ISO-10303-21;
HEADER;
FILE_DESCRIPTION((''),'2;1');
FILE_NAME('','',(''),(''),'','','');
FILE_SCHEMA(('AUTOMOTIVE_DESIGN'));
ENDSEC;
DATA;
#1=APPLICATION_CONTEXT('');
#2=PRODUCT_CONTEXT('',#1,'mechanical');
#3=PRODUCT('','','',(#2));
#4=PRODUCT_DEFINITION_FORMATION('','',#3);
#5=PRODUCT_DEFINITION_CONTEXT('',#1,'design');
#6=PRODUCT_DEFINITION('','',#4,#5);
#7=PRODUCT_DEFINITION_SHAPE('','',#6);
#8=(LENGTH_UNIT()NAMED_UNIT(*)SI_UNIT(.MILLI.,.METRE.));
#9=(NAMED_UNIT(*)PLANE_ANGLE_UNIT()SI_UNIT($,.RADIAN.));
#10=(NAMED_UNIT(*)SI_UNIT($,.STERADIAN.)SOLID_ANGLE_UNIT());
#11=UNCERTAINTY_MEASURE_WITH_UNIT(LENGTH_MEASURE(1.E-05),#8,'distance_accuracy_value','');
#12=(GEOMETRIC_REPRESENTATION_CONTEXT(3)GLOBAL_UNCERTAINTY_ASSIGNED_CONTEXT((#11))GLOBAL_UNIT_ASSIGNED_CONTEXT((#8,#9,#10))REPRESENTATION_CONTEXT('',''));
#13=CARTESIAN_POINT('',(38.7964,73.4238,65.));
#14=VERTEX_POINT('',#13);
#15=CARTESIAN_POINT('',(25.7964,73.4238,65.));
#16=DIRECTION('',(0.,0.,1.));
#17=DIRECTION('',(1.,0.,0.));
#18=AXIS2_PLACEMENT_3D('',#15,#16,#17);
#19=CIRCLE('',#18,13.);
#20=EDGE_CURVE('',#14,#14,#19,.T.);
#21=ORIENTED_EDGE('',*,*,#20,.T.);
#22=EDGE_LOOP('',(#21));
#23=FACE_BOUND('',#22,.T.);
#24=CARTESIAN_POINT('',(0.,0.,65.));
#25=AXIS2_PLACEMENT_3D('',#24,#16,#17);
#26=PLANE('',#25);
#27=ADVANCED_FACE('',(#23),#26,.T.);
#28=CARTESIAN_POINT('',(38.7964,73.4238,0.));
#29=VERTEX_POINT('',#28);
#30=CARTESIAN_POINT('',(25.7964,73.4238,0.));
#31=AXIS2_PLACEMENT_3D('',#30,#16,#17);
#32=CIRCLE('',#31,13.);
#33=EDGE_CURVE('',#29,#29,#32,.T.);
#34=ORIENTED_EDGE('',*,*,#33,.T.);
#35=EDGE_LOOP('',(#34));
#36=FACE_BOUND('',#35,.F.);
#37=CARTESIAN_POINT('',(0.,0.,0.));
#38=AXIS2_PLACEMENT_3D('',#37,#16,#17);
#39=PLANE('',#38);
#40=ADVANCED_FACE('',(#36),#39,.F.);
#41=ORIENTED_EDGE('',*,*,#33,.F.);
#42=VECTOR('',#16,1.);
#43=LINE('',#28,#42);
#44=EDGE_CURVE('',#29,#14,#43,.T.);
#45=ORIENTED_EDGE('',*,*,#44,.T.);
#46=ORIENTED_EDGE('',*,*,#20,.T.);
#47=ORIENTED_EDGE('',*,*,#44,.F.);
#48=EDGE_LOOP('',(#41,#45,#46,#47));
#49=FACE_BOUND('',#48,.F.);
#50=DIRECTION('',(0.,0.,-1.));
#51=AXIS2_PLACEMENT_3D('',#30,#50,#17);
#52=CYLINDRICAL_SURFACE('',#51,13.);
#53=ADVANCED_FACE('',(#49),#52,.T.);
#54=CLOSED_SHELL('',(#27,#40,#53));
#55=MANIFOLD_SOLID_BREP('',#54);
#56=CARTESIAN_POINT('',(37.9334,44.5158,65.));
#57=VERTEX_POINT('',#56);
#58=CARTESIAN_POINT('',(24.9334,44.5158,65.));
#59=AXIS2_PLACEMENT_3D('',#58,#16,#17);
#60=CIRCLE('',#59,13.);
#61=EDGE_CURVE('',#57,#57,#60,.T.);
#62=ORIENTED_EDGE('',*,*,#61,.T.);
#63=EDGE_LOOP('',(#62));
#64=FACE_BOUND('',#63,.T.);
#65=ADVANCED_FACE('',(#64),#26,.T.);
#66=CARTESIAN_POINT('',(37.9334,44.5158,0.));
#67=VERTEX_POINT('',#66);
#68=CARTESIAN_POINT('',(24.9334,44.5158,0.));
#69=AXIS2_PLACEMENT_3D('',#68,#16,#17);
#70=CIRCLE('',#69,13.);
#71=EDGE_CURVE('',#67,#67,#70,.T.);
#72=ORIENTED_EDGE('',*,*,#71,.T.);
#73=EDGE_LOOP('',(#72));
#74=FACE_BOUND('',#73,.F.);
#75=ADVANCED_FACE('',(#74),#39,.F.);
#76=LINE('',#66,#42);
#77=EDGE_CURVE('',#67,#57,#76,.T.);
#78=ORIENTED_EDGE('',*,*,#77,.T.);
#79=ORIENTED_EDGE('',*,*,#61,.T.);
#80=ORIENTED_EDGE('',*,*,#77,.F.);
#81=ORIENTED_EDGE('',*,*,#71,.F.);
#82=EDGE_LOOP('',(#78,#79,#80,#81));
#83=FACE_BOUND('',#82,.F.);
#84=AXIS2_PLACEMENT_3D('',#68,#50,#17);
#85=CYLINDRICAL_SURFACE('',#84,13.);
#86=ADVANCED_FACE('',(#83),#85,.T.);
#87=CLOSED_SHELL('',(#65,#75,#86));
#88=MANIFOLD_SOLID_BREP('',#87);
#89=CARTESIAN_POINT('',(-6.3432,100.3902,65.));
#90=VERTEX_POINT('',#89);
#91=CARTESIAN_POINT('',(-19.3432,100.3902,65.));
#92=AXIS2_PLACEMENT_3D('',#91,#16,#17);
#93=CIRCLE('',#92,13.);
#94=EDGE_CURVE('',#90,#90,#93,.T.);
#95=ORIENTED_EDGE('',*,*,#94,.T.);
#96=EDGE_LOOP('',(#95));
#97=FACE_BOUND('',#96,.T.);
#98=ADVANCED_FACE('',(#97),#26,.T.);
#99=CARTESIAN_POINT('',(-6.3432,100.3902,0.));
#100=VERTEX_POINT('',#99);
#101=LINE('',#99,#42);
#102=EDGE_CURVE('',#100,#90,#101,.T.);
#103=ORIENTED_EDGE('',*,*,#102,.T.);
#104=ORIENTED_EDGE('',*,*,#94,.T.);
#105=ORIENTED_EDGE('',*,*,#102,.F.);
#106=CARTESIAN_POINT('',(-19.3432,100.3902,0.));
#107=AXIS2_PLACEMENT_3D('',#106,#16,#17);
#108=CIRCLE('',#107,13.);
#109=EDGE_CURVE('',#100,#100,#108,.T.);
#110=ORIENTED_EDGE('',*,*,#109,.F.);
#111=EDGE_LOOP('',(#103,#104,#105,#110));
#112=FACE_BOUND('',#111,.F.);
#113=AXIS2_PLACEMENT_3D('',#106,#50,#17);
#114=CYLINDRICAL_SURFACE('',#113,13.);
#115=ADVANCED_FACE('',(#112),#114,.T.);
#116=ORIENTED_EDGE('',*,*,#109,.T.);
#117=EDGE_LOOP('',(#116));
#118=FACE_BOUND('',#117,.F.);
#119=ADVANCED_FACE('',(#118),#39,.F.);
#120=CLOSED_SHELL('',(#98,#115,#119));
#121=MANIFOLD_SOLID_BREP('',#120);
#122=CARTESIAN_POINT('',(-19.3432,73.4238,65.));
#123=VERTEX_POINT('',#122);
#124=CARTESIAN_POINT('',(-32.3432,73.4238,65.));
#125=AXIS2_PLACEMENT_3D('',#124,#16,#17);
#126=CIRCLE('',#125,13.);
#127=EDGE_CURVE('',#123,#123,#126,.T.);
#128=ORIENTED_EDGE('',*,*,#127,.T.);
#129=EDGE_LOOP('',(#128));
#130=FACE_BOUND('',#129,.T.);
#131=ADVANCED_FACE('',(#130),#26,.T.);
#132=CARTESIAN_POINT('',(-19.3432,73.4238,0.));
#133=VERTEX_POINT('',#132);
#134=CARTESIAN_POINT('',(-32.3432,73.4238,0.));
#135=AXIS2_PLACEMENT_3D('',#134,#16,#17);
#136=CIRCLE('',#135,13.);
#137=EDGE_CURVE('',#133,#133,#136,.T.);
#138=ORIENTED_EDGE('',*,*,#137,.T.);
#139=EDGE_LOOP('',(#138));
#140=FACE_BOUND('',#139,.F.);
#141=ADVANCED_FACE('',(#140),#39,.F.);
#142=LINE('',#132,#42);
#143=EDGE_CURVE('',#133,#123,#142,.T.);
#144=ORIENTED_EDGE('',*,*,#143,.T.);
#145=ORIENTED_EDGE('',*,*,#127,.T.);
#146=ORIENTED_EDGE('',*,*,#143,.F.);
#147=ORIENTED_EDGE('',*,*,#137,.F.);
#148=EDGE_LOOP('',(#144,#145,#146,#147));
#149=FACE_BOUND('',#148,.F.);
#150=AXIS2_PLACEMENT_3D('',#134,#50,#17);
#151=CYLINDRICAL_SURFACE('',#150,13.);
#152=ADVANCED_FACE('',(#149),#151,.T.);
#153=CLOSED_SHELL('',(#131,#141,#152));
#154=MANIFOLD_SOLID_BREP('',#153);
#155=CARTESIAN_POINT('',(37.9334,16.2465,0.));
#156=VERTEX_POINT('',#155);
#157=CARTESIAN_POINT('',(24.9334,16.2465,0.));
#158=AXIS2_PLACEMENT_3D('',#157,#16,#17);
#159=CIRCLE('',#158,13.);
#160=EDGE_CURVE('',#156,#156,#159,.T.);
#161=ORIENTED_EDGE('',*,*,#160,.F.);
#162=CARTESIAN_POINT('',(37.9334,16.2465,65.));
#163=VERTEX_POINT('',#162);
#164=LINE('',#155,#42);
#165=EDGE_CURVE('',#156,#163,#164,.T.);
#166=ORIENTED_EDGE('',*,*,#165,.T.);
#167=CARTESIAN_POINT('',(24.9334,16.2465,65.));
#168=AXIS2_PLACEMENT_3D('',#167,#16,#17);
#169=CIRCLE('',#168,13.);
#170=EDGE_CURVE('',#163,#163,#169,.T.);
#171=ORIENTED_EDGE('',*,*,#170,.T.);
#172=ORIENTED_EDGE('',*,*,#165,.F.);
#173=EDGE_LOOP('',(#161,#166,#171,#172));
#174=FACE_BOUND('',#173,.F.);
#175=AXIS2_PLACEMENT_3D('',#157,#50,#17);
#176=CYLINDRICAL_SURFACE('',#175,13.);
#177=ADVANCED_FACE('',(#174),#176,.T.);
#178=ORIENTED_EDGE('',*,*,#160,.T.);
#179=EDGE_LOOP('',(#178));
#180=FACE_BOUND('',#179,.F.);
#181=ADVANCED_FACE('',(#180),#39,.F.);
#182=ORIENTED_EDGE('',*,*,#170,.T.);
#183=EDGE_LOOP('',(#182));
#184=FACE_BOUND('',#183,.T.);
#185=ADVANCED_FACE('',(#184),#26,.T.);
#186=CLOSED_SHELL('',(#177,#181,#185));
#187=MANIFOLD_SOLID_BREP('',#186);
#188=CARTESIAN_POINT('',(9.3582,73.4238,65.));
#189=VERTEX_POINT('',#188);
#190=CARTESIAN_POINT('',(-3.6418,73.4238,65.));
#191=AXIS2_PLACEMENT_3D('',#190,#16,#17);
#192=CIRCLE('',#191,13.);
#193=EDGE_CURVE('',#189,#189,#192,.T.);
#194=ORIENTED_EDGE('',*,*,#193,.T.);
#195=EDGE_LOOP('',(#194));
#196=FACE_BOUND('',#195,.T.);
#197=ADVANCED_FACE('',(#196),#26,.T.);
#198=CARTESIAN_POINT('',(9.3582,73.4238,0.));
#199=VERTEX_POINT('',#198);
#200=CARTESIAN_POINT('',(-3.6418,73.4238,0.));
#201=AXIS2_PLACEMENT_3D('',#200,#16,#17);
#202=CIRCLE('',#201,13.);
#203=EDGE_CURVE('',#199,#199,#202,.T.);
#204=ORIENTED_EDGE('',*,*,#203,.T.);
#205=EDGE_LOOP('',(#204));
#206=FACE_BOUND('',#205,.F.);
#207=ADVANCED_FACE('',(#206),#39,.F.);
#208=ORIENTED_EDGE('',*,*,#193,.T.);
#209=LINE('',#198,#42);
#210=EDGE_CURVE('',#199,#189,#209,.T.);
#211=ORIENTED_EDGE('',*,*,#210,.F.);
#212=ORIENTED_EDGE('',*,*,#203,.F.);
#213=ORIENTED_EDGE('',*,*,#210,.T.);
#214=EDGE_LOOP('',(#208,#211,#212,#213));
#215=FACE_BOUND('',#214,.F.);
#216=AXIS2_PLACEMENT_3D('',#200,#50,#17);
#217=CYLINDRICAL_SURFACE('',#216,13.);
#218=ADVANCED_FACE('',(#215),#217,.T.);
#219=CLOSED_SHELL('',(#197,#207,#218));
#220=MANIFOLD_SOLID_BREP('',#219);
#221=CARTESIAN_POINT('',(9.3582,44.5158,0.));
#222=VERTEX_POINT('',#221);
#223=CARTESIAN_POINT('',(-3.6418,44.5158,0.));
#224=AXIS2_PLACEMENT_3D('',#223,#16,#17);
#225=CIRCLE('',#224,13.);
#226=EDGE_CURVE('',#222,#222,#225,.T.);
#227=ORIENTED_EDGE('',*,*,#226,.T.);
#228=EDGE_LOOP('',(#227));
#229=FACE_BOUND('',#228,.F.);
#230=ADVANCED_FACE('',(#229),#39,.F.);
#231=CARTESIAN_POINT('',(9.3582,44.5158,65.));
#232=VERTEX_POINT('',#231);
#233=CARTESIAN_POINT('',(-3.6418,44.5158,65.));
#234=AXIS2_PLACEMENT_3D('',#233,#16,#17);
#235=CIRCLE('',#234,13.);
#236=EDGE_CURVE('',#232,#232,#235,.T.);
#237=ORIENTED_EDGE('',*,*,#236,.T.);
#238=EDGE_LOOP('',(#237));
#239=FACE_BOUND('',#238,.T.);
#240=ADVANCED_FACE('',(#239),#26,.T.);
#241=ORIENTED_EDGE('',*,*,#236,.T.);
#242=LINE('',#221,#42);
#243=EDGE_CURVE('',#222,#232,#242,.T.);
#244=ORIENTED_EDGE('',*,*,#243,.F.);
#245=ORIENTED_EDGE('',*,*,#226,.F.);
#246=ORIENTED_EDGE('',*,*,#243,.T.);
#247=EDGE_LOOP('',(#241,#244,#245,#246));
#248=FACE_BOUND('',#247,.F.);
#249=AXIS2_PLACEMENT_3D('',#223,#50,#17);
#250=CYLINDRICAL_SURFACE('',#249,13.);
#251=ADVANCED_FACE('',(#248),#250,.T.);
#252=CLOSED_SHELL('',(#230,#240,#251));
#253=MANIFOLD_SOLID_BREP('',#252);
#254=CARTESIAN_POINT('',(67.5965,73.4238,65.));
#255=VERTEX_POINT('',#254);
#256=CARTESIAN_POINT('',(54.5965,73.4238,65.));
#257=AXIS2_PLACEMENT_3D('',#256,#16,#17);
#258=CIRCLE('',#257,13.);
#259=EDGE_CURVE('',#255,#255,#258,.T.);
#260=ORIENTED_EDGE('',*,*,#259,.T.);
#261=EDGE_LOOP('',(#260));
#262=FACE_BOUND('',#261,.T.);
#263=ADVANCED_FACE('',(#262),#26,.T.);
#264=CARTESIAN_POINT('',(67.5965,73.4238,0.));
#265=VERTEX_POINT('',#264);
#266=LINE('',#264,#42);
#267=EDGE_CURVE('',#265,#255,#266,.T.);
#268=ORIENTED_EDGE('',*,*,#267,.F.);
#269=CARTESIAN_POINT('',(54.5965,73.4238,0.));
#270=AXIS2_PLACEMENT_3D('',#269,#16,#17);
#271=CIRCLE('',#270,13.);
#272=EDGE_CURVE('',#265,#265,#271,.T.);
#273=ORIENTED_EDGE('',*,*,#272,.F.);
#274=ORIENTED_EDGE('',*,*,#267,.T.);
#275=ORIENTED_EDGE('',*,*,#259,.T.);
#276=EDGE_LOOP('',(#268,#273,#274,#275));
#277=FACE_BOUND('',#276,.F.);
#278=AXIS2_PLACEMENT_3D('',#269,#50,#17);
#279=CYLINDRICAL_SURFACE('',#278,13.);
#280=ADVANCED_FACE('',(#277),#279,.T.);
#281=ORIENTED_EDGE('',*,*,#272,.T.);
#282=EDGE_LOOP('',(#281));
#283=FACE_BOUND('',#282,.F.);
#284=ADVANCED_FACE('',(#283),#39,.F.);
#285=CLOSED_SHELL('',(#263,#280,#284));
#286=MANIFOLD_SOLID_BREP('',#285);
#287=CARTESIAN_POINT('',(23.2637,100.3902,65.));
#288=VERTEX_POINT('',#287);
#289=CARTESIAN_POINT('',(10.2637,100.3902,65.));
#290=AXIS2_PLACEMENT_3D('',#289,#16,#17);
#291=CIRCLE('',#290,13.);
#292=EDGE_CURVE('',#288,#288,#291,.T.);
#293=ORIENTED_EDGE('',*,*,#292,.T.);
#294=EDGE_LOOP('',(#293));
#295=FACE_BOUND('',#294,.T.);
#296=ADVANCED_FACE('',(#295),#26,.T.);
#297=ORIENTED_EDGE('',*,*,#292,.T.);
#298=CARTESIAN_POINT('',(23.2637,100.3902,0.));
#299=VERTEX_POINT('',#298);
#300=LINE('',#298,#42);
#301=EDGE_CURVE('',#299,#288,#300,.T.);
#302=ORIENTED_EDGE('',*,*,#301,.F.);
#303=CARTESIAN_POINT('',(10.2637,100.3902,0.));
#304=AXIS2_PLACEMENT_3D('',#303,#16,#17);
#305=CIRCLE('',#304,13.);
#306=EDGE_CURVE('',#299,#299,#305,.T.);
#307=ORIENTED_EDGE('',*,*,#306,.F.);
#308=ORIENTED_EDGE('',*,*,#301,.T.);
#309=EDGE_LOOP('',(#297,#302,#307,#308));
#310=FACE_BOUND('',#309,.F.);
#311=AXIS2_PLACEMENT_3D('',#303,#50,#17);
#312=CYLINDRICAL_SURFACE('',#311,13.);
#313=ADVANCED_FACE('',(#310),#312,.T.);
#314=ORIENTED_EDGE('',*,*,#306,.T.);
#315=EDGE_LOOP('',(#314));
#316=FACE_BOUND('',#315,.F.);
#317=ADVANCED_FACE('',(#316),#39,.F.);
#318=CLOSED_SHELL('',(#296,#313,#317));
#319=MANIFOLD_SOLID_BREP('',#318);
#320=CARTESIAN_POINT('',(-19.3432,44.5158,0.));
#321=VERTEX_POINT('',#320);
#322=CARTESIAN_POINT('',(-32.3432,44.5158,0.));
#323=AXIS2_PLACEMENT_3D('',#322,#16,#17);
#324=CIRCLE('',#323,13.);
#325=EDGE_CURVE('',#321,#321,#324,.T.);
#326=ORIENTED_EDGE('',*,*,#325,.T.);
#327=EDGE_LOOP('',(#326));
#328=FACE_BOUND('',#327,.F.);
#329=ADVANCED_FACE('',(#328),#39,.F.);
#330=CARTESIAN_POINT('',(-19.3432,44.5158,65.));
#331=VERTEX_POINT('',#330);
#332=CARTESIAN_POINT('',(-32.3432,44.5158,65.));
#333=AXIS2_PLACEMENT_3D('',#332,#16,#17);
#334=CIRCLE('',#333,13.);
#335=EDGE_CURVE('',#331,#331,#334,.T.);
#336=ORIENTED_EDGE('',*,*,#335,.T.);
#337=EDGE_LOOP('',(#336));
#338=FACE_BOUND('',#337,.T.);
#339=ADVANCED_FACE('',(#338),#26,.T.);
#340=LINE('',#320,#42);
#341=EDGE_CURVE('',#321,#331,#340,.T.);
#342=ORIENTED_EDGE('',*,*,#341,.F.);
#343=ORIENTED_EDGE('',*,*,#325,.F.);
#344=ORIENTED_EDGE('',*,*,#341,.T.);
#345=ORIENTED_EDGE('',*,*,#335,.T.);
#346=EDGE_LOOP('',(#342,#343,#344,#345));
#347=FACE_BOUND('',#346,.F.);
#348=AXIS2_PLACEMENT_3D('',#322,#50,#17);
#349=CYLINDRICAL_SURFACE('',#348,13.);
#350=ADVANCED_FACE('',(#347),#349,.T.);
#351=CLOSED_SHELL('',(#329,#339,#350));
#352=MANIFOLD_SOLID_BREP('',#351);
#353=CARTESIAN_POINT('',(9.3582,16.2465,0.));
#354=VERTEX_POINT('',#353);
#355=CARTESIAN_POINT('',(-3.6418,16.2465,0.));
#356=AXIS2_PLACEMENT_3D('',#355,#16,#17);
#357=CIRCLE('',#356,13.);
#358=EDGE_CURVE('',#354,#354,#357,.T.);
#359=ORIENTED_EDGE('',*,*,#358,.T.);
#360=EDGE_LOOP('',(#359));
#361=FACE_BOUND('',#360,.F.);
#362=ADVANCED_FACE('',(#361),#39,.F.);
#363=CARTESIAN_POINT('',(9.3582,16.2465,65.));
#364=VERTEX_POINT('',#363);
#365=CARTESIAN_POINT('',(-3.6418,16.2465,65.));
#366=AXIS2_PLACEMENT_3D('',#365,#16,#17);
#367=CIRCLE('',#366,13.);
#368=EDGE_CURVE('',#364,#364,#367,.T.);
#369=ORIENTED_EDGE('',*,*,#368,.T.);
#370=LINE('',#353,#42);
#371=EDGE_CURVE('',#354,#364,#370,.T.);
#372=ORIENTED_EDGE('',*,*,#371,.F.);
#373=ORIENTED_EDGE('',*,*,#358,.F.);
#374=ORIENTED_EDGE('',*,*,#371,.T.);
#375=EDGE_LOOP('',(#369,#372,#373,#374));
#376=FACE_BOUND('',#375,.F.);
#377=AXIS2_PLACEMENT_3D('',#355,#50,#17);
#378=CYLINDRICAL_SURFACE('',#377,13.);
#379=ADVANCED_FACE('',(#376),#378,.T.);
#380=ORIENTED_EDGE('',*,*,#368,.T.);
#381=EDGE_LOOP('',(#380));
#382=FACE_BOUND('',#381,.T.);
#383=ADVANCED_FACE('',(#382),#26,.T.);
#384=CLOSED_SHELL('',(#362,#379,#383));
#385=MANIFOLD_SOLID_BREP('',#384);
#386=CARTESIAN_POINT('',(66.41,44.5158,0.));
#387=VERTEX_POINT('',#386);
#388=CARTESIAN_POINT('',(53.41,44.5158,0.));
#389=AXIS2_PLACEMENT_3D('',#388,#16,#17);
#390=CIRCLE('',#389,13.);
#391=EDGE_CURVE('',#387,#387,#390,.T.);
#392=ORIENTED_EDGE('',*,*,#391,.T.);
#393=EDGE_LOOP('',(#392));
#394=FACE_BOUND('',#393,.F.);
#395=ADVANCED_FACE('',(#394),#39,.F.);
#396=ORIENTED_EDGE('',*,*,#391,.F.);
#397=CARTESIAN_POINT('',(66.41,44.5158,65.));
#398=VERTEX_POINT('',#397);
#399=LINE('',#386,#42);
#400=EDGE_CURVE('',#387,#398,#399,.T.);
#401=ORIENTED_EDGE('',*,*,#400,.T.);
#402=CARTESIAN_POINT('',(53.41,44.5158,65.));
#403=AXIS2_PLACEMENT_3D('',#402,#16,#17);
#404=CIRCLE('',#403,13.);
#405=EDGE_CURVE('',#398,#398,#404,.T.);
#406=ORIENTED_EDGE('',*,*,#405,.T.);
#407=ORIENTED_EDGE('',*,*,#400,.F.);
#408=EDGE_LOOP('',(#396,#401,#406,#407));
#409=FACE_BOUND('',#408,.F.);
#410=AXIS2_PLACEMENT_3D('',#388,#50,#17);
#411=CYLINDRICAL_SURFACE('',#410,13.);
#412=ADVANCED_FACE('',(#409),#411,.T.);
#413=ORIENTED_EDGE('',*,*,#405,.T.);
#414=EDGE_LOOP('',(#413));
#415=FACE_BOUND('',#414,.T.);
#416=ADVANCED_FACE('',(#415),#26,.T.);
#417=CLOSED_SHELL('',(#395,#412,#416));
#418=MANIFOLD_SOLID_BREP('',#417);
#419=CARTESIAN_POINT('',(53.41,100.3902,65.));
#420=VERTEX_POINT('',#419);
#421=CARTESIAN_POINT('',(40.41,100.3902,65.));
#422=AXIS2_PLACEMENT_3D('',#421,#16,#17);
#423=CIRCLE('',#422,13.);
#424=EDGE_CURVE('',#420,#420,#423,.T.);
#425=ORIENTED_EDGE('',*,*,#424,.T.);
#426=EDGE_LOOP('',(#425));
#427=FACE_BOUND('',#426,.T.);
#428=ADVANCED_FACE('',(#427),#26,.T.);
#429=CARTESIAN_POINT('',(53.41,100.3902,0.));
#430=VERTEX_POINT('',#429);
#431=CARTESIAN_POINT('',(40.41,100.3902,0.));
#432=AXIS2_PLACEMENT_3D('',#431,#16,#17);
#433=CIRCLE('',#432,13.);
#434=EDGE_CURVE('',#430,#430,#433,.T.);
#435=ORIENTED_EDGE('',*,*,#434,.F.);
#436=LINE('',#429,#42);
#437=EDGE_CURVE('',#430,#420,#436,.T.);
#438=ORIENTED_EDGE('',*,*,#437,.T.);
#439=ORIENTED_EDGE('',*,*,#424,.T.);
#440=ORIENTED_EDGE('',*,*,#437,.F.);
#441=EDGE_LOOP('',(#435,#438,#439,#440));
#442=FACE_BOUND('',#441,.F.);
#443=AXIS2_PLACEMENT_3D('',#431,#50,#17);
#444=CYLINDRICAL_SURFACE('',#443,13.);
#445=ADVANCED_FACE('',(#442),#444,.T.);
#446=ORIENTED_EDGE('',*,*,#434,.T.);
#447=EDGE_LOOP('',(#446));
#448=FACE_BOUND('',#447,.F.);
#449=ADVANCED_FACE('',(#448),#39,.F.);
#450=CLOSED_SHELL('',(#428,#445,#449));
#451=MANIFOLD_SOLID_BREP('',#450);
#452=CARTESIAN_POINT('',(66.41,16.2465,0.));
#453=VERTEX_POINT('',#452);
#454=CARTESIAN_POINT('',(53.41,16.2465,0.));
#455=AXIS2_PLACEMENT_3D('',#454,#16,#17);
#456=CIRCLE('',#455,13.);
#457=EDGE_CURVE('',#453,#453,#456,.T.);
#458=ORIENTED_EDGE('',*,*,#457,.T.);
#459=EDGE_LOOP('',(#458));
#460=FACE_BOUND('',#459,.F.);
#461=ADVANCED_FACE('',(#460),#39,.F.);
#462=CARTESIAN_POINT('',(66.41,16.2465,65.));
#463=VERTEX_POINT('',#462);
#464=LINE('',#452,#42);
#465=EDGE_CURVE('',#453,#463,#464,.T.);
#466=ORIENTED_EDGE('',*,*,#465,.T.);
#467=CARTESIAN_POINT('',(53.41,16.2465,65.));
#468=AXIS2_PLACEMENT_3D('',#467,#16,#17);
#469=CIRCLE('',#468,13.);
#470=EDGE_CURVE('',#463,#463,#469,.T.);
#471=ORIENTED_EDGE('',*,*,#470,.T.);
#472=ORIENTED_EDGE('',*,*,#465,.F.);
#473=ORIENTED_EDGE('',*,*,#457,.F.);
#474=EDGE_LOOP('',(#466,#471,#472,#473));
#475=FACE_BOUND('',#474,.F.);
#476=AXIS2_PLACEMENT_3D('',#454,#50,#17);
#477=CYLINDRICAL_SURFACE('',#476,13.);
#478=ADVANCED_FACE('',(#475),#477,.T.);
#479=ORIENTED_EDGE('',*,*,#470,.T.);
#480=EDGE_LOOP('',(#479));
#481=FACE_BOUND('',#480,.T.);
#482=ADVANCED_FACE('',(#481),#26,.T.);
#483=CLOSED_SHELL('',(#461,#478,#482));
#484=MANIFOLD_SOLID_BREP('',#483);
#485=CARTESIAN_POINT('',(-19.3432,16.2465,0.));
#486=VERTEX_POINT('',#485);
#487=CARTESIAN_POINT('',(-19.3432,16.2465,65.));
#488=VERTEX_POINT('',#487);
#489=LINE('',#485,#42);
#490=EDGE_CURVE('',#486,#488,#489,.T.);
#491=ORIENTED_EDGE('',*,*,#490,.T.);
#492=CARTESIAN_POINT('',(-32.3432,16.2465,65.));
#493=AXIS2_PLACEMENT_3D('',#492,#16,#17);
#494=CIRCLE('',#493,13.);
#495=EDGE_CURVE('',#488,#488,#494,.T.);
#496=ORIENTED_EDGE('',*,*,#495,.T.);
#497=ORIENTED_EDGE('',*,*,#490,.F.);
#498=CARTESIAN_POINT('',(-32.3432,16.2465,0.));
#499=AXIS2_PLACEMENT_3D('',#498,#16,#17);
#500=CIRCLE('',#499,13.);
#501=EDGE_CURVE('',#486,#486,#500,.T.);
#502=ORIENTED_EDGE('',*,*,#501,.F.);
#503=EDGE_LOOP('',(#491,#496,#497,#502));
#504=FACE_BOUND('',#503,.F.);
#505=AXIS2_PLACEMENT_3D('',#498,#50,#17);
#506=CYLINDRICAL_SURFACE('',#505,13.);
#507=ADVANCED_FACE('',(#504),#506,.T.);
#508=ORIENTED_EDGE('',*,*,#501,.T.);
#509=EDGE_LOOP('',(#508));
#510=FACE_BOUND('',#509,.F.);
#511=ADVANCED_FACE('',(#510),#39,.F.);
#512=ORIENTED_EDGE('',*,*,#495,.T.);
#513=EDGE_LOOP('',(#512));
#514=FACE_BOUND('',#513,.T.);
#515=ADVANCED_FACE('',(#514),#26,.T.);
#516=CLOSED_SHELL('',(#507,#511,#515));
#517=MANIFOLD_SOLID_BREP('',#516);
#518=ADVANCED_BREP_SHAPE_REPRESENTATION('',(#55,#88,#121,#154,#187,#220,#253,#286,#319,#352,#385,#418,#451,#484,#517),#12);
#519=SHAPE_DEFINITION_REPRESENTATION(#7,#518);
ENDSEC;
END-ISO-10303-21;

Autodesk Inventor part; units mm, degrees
ref_plane "YZ Plane" through (0, 0, 0) normal (1, 0, 0) x (0, 1, 0)
ref_plane "XZ Plane" through (0, 0, 0) normal (0, 1, 0) x (-1, 0, 0)
ref_plane "XY Plane" through (0, 0, 0) normal (0, 0, 1) x (1, 0, 0)
sketch "Sketch1" plane through (0, 0, 0) normal (0, 0, 1) x (1, 0, 0)
  circle A0 centre (-32.3432, 16.2465) radius 13
  circle A1 centre (-3.6418, 16.2465) radius 13
  circle A2 centre (24.9334, 16.2465) radius 13
  circle A3 centre (53.41, 16.2465) radius 13
  circle A4 centre (-32.3432, 44.5158) radius 13
  circle A5 centre (-3.6418, 44.5158) radius 13
  circle A6 centre (24.9334, 44.5158) radius 13
  circle A7 centre (53.41, 44.5158) radius 13
  circle A8 centre (-3.6418, 73.4238) radius 13
  circle A9 centre (10.2637, 100.3902) radius 13
  circle A10 centre (40.41, 100.3902) radius 13
  circle A11 centre (-32.3432, 73.4238) radius 13
  circle A12 centre (25.7964, 73.4238) radius 13
  circle A13 centre (54.5965, 73.4238) radius 13
  circle A14 centre (-19.3432, 100.3902) radius 13
  point P0 (0, 0)
  dimension "d0" = 26
  dimension "d2" = 26
  dimension "d4" = 26
  dimension "d17" = 26
  dimension "d19" = 26
  dimension "d20" = 26
  dimension "d21" = 26
  dimension "d22" = 26
  dimension "d24" = 26
  dimension "d25" = 26
  dimension "d26" = 26
  dimension "d28" = 26
  dimension "d29" = 26
  dimension "d30" = 26
  dimension "d31" = 26
extrude "Extrusion1" add sketch "Sketch1" along normal blind 65
equation "\"d2\" = d0"
equation "\"d4\" = d0"
properties part number "battery_case"
